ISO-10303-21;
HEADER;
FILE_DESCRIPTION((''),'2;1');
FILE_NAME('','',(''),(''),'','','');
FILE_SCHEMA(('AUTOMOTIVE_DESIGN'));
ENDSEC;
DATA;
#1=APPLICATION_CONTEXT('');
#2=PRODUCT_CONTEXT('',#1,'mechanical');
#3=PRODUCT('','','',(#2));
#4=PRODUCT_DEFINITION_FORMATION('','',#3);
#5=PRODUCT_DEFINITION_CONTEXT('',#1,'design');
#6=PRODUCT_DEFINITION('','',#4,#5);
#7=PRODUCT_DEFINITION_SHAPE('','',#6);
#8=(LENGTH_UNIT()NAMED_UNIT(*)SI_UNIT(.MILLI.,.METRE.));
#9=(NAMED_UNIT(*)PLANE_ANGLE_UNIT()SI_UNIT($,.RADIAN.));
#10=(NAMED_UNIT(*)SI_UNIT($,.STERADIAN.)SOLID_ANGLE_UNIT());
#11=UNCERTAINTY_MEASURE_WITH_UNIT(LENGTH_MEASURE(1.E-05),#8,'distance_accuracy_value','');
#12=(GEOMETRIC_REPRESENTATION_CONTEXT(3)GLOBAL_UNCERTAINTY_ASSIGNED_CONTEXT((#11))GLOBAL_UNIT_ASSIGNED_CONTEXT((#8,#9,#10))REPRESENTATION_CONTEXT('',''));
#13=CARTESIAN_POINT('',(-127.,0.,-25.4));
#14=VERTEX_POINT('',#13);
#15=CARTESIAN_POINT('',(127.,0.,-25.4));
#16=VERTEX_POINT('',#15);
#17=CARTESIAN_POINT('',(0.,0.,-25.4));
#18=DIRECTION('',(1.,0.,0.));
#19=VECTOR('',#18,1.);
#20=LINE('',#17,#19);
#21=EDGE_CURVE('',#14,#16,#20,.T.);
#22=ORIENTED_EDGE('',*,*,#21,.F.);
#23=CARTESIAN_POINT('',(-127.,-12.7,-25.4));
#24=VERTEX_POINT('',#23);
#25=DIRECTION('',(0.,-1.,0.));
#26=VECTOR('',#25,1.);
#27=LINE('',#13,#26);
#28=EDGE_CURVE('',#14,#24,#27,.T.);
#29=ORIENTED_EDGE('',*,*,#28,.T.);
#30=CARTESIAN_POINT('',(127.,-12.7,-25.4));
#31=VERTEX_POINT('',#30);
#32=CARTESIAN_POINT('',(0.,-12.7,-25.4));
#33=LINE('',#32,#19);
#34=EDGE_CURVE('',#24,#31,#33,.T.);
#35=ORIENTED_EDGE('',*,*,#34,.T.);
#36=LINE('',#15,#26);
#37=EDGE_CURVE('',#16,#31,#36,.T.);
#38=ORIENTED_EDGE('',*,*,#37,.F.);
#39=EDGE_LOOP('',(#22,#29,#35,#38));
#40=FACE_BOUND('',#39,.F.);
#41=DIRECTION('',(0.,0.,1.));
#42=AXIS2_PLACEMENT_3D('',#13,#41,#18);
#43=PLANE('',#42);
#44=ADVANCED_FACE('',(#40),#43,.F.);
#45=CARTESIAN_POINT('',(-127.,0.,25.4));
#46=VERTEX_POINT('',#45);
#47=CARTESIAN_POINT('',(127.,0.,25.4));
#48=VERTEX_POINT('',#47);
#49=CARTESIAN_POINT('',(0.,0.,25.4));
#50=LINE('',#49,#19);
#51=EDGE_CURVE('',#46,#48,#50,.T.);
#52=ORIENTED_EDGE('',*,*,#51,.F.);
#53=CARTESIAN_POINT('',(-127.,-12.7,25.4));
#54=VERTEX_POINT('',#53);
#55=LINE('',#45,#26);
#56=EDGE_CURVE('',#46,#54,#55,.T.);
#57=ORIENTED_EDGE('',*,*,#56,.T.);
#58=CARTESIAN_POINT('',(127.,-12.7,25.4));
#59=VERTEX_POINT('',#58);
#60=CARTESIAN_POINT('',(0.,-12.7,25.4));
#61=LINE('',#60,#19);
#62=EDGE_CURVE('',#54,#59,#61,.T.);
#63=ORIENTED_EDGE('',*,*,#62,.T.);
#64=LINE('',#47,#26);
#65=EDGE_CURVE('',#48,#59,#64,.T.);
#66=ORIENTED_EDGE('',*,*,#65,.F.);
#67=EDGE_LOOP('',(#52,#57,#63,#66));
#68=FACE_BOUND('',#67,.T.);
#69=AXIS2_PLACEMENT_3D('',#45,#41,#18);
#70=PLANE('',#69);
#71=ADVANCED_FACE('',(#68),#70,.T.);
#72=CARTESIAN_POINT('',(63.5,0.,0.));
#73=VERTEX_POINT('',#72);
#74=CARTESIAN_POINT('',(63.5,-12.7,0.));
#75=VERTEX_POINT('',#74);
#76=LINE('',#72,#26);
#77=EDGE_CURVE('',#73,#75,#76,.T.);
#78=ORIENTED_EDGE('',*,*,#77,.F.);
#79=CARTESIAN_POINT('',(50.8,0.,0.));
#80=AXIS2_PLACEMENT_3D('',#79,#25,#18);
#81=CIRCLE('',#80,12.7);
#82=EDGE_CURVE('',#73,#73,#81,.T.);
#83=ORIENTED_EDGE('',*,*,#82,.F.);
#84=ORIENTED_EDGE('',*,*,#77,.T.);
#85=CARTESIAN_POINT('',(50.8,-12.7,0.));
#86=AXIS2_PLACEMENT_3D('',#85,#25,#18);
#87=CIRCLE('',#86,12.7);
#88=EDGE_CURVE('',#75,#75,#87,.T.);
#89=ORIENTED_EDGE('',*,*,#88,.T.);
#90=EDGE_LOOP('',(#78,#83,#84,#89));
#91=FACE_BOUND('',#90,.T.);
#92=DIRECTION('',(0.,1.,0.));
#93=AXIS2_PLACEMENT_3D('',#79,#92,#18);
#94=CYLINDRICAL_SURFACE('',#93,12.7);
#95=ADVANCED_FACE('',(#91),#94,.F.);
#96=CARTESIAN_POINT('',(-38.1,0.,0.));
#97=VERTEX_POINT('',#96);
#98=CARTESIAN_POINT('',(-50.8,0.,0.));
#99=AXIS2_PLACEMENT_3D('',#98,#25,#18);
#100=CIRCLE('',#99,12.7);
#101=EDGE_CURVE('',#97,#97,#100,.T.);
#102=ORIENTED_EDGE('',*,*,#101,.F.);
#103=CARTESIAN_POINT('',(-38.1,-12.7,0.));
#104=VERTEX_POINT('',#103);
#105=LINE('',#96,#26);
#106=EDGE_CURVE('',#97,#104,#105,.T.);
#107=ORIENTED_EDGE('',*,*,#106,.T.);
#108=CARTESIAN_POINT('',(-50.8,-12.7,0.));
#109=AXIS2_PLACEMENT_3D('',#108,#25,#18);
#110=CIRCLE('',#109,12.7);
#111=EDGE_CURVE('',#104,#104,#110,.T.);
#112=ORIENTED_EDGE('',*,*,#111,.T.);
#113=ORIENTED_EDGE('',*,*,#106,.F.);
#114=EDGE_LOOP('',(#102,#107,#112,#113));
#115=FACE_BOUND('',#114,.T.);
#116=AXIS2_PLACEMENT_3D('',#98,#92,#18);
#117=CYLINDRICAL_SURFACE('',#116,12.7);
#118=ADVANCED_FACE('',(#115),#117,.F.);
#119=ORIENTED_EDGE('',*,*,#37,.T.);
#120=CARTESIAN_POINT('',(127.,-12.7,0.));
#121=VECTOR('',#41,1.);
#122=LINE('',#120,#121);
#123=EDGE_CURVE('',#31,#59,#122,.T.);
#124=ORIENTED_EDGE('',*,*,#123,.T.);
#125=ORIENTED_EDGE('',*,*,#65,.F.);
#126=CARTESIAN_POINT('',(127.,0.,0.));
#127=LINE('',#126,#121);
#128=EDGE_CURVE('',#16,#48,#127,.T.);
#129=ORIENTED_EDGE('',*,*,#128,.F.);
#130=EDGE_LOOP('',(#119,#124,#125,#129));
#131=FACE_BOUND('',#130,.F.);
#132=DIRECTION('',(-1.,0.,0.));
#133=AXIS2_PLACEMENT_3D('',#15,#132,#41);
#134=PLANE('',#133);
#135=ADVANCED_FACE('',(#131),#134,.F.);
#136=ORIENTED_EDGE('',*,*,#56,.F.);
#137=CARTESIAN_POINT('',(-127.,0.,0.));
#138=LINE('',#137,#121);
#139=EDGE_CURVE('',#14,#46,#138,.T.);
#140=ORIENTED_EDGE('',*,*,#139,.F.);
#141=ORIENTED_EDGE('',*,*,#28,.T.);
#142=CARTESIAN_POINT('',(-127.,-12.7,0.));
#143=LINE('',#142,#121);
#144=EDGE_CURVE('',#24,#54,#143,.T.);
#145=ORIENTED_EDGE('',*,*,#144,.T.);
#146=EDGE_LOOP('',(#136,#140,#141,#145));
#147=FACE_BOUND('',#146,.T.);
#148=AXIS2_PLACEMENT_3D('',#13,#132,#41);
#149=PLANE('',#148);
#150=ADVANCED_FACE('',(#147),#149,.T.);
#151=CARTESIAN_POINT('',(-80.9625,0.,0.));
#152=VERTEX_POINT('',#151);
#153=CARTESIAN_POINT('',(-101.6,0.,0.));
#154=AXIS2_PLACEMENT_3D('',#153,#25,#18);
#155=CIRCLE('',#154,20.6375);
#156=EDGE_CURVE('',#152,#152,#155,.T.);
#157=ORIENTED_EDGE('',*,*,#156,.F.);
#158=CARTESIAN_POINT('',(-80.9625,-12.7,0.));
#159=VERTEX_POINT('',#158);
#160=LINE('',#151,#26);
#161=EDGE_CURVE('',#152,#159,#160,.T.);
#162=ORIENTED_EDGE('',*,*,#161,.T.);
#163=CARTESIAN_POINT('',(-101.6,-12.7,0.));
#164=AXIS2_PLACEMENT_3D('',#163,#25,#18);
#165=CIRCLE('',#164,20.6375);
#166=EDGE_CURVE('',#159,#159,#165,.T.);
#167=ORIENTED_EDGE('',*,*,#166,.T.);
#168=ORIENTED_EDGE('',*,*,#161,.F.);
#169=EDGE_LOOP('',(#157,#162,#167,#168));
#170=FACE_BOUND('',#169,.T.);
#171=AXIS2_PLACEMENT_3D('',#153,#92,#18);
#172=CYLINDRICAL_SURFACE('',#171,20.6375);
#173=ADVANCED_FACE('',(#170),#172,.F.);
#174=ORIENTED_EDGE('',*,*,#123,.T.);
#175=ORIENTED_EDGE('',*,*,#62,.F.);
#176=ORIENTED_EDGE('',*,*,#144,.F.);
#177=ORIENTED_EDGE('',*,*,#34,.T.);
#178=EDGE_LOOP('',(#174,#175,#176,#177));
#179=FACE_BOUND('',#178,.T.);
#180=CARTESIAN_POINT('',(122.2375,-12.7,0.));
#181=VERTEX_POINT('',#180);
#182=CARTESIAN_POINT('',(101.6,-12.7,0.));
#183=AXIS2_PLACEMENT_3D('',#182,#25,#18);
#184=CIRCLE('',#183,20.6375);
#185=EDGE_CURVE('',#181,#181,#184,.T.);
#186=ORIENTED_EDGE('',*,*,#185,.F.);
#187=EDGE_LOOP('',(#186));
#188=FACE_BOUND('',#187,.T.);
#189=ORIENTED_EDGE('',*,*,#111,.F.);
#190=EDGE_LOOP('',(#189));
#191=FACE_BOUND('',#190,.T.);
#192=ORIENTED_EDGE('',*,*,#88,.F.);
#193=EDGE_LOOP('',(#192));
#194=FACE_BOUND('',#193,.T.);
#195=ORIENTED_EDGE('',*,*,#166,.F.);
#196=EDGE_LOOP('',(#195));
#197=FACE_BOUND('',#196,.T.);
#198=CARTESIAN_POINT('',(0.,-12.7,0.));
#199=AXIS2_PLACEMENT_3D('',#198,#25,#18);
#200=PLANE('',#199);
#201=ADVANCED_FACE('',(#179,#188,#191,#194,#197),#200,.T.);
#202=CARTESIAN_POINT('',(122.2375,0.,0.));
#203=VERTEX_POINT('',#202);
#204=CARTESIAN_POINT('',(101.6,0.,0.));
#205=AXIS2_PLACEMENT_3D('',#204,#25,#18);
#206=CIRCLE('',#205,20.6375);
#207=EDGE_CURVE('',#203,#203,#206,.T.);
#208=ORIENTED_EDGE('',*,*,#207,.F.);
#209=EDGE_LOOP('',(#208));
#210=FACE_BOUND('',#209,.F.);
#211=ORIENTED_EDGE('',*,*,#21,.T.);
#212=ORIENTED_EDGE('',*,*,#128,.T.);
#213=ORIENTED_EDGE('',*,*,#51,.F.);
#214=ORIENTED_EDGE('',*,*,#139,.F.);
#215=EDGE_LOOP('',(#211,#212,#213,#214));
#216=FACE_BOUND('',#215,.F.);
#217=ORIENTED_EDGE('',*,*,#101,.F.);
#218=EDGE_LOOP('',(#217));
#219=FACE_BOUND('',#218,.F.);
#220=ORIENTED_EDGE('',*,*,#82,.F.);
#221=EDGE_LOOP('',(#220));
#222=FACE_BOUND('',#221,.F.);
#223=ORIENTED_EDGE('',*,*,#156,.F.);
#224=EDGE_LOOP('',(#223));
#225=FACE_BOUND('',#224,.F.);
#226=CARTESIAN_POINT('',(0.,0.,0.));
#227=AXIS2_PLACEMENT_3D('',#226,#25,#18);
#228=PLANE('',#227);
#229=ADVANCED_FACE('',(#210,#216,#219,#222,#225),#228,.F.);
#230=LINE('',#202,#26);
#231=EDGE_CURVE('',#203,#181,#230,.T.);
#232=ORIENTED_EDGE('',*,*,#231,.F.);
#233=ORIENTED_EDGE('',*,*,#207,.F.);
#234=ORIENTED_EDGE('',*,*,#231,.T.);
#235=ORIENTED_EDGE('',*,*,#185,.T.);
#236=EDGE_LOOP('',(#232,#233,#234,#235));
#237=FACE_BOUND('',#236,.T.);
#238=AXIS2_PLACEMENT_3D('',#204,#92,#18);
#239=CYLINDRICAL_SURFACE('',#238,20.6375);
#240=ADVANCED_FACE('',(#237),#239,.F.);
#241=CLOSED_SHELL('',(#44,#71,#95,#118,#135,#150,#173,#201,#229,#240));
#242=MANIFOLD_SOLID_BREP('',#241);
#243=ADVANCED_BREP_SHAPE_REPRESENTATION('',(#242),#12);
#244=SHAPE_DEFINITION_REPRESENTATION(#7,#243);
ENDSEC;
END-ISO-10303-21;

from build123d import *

# Parameters (mm, degrees)
F0_W     = 254
F0_H     = 50.8
F0_R     = 20.6375
F0_R_2   = 12.7
F1_DEPTH = 12.7


with BuildPart() as f1:
    # F0 (on Front) → F1 (new body)
    with BuildSketch(Plane.XZ):
        Rectangle(F0_W, F0_H)
        with Locations((-101.6, 0)):
            Circle(F0_R, mode=Mode.SUBTRACT)
        with Locations((-50.8, 0)):
            Circle(F0_R_2, mode=Mode.SUBTRACT)
        with Locations((50.8, 0)):
            Circle(F0_R_2, mode=Mode.SUBTRACT)
        with Locations((101.6, 0)):
            Circle(F0_R, mode=Mode.SUBTRACT)
    extrude(amount=F1_DEPTH)


solid = f1.part
